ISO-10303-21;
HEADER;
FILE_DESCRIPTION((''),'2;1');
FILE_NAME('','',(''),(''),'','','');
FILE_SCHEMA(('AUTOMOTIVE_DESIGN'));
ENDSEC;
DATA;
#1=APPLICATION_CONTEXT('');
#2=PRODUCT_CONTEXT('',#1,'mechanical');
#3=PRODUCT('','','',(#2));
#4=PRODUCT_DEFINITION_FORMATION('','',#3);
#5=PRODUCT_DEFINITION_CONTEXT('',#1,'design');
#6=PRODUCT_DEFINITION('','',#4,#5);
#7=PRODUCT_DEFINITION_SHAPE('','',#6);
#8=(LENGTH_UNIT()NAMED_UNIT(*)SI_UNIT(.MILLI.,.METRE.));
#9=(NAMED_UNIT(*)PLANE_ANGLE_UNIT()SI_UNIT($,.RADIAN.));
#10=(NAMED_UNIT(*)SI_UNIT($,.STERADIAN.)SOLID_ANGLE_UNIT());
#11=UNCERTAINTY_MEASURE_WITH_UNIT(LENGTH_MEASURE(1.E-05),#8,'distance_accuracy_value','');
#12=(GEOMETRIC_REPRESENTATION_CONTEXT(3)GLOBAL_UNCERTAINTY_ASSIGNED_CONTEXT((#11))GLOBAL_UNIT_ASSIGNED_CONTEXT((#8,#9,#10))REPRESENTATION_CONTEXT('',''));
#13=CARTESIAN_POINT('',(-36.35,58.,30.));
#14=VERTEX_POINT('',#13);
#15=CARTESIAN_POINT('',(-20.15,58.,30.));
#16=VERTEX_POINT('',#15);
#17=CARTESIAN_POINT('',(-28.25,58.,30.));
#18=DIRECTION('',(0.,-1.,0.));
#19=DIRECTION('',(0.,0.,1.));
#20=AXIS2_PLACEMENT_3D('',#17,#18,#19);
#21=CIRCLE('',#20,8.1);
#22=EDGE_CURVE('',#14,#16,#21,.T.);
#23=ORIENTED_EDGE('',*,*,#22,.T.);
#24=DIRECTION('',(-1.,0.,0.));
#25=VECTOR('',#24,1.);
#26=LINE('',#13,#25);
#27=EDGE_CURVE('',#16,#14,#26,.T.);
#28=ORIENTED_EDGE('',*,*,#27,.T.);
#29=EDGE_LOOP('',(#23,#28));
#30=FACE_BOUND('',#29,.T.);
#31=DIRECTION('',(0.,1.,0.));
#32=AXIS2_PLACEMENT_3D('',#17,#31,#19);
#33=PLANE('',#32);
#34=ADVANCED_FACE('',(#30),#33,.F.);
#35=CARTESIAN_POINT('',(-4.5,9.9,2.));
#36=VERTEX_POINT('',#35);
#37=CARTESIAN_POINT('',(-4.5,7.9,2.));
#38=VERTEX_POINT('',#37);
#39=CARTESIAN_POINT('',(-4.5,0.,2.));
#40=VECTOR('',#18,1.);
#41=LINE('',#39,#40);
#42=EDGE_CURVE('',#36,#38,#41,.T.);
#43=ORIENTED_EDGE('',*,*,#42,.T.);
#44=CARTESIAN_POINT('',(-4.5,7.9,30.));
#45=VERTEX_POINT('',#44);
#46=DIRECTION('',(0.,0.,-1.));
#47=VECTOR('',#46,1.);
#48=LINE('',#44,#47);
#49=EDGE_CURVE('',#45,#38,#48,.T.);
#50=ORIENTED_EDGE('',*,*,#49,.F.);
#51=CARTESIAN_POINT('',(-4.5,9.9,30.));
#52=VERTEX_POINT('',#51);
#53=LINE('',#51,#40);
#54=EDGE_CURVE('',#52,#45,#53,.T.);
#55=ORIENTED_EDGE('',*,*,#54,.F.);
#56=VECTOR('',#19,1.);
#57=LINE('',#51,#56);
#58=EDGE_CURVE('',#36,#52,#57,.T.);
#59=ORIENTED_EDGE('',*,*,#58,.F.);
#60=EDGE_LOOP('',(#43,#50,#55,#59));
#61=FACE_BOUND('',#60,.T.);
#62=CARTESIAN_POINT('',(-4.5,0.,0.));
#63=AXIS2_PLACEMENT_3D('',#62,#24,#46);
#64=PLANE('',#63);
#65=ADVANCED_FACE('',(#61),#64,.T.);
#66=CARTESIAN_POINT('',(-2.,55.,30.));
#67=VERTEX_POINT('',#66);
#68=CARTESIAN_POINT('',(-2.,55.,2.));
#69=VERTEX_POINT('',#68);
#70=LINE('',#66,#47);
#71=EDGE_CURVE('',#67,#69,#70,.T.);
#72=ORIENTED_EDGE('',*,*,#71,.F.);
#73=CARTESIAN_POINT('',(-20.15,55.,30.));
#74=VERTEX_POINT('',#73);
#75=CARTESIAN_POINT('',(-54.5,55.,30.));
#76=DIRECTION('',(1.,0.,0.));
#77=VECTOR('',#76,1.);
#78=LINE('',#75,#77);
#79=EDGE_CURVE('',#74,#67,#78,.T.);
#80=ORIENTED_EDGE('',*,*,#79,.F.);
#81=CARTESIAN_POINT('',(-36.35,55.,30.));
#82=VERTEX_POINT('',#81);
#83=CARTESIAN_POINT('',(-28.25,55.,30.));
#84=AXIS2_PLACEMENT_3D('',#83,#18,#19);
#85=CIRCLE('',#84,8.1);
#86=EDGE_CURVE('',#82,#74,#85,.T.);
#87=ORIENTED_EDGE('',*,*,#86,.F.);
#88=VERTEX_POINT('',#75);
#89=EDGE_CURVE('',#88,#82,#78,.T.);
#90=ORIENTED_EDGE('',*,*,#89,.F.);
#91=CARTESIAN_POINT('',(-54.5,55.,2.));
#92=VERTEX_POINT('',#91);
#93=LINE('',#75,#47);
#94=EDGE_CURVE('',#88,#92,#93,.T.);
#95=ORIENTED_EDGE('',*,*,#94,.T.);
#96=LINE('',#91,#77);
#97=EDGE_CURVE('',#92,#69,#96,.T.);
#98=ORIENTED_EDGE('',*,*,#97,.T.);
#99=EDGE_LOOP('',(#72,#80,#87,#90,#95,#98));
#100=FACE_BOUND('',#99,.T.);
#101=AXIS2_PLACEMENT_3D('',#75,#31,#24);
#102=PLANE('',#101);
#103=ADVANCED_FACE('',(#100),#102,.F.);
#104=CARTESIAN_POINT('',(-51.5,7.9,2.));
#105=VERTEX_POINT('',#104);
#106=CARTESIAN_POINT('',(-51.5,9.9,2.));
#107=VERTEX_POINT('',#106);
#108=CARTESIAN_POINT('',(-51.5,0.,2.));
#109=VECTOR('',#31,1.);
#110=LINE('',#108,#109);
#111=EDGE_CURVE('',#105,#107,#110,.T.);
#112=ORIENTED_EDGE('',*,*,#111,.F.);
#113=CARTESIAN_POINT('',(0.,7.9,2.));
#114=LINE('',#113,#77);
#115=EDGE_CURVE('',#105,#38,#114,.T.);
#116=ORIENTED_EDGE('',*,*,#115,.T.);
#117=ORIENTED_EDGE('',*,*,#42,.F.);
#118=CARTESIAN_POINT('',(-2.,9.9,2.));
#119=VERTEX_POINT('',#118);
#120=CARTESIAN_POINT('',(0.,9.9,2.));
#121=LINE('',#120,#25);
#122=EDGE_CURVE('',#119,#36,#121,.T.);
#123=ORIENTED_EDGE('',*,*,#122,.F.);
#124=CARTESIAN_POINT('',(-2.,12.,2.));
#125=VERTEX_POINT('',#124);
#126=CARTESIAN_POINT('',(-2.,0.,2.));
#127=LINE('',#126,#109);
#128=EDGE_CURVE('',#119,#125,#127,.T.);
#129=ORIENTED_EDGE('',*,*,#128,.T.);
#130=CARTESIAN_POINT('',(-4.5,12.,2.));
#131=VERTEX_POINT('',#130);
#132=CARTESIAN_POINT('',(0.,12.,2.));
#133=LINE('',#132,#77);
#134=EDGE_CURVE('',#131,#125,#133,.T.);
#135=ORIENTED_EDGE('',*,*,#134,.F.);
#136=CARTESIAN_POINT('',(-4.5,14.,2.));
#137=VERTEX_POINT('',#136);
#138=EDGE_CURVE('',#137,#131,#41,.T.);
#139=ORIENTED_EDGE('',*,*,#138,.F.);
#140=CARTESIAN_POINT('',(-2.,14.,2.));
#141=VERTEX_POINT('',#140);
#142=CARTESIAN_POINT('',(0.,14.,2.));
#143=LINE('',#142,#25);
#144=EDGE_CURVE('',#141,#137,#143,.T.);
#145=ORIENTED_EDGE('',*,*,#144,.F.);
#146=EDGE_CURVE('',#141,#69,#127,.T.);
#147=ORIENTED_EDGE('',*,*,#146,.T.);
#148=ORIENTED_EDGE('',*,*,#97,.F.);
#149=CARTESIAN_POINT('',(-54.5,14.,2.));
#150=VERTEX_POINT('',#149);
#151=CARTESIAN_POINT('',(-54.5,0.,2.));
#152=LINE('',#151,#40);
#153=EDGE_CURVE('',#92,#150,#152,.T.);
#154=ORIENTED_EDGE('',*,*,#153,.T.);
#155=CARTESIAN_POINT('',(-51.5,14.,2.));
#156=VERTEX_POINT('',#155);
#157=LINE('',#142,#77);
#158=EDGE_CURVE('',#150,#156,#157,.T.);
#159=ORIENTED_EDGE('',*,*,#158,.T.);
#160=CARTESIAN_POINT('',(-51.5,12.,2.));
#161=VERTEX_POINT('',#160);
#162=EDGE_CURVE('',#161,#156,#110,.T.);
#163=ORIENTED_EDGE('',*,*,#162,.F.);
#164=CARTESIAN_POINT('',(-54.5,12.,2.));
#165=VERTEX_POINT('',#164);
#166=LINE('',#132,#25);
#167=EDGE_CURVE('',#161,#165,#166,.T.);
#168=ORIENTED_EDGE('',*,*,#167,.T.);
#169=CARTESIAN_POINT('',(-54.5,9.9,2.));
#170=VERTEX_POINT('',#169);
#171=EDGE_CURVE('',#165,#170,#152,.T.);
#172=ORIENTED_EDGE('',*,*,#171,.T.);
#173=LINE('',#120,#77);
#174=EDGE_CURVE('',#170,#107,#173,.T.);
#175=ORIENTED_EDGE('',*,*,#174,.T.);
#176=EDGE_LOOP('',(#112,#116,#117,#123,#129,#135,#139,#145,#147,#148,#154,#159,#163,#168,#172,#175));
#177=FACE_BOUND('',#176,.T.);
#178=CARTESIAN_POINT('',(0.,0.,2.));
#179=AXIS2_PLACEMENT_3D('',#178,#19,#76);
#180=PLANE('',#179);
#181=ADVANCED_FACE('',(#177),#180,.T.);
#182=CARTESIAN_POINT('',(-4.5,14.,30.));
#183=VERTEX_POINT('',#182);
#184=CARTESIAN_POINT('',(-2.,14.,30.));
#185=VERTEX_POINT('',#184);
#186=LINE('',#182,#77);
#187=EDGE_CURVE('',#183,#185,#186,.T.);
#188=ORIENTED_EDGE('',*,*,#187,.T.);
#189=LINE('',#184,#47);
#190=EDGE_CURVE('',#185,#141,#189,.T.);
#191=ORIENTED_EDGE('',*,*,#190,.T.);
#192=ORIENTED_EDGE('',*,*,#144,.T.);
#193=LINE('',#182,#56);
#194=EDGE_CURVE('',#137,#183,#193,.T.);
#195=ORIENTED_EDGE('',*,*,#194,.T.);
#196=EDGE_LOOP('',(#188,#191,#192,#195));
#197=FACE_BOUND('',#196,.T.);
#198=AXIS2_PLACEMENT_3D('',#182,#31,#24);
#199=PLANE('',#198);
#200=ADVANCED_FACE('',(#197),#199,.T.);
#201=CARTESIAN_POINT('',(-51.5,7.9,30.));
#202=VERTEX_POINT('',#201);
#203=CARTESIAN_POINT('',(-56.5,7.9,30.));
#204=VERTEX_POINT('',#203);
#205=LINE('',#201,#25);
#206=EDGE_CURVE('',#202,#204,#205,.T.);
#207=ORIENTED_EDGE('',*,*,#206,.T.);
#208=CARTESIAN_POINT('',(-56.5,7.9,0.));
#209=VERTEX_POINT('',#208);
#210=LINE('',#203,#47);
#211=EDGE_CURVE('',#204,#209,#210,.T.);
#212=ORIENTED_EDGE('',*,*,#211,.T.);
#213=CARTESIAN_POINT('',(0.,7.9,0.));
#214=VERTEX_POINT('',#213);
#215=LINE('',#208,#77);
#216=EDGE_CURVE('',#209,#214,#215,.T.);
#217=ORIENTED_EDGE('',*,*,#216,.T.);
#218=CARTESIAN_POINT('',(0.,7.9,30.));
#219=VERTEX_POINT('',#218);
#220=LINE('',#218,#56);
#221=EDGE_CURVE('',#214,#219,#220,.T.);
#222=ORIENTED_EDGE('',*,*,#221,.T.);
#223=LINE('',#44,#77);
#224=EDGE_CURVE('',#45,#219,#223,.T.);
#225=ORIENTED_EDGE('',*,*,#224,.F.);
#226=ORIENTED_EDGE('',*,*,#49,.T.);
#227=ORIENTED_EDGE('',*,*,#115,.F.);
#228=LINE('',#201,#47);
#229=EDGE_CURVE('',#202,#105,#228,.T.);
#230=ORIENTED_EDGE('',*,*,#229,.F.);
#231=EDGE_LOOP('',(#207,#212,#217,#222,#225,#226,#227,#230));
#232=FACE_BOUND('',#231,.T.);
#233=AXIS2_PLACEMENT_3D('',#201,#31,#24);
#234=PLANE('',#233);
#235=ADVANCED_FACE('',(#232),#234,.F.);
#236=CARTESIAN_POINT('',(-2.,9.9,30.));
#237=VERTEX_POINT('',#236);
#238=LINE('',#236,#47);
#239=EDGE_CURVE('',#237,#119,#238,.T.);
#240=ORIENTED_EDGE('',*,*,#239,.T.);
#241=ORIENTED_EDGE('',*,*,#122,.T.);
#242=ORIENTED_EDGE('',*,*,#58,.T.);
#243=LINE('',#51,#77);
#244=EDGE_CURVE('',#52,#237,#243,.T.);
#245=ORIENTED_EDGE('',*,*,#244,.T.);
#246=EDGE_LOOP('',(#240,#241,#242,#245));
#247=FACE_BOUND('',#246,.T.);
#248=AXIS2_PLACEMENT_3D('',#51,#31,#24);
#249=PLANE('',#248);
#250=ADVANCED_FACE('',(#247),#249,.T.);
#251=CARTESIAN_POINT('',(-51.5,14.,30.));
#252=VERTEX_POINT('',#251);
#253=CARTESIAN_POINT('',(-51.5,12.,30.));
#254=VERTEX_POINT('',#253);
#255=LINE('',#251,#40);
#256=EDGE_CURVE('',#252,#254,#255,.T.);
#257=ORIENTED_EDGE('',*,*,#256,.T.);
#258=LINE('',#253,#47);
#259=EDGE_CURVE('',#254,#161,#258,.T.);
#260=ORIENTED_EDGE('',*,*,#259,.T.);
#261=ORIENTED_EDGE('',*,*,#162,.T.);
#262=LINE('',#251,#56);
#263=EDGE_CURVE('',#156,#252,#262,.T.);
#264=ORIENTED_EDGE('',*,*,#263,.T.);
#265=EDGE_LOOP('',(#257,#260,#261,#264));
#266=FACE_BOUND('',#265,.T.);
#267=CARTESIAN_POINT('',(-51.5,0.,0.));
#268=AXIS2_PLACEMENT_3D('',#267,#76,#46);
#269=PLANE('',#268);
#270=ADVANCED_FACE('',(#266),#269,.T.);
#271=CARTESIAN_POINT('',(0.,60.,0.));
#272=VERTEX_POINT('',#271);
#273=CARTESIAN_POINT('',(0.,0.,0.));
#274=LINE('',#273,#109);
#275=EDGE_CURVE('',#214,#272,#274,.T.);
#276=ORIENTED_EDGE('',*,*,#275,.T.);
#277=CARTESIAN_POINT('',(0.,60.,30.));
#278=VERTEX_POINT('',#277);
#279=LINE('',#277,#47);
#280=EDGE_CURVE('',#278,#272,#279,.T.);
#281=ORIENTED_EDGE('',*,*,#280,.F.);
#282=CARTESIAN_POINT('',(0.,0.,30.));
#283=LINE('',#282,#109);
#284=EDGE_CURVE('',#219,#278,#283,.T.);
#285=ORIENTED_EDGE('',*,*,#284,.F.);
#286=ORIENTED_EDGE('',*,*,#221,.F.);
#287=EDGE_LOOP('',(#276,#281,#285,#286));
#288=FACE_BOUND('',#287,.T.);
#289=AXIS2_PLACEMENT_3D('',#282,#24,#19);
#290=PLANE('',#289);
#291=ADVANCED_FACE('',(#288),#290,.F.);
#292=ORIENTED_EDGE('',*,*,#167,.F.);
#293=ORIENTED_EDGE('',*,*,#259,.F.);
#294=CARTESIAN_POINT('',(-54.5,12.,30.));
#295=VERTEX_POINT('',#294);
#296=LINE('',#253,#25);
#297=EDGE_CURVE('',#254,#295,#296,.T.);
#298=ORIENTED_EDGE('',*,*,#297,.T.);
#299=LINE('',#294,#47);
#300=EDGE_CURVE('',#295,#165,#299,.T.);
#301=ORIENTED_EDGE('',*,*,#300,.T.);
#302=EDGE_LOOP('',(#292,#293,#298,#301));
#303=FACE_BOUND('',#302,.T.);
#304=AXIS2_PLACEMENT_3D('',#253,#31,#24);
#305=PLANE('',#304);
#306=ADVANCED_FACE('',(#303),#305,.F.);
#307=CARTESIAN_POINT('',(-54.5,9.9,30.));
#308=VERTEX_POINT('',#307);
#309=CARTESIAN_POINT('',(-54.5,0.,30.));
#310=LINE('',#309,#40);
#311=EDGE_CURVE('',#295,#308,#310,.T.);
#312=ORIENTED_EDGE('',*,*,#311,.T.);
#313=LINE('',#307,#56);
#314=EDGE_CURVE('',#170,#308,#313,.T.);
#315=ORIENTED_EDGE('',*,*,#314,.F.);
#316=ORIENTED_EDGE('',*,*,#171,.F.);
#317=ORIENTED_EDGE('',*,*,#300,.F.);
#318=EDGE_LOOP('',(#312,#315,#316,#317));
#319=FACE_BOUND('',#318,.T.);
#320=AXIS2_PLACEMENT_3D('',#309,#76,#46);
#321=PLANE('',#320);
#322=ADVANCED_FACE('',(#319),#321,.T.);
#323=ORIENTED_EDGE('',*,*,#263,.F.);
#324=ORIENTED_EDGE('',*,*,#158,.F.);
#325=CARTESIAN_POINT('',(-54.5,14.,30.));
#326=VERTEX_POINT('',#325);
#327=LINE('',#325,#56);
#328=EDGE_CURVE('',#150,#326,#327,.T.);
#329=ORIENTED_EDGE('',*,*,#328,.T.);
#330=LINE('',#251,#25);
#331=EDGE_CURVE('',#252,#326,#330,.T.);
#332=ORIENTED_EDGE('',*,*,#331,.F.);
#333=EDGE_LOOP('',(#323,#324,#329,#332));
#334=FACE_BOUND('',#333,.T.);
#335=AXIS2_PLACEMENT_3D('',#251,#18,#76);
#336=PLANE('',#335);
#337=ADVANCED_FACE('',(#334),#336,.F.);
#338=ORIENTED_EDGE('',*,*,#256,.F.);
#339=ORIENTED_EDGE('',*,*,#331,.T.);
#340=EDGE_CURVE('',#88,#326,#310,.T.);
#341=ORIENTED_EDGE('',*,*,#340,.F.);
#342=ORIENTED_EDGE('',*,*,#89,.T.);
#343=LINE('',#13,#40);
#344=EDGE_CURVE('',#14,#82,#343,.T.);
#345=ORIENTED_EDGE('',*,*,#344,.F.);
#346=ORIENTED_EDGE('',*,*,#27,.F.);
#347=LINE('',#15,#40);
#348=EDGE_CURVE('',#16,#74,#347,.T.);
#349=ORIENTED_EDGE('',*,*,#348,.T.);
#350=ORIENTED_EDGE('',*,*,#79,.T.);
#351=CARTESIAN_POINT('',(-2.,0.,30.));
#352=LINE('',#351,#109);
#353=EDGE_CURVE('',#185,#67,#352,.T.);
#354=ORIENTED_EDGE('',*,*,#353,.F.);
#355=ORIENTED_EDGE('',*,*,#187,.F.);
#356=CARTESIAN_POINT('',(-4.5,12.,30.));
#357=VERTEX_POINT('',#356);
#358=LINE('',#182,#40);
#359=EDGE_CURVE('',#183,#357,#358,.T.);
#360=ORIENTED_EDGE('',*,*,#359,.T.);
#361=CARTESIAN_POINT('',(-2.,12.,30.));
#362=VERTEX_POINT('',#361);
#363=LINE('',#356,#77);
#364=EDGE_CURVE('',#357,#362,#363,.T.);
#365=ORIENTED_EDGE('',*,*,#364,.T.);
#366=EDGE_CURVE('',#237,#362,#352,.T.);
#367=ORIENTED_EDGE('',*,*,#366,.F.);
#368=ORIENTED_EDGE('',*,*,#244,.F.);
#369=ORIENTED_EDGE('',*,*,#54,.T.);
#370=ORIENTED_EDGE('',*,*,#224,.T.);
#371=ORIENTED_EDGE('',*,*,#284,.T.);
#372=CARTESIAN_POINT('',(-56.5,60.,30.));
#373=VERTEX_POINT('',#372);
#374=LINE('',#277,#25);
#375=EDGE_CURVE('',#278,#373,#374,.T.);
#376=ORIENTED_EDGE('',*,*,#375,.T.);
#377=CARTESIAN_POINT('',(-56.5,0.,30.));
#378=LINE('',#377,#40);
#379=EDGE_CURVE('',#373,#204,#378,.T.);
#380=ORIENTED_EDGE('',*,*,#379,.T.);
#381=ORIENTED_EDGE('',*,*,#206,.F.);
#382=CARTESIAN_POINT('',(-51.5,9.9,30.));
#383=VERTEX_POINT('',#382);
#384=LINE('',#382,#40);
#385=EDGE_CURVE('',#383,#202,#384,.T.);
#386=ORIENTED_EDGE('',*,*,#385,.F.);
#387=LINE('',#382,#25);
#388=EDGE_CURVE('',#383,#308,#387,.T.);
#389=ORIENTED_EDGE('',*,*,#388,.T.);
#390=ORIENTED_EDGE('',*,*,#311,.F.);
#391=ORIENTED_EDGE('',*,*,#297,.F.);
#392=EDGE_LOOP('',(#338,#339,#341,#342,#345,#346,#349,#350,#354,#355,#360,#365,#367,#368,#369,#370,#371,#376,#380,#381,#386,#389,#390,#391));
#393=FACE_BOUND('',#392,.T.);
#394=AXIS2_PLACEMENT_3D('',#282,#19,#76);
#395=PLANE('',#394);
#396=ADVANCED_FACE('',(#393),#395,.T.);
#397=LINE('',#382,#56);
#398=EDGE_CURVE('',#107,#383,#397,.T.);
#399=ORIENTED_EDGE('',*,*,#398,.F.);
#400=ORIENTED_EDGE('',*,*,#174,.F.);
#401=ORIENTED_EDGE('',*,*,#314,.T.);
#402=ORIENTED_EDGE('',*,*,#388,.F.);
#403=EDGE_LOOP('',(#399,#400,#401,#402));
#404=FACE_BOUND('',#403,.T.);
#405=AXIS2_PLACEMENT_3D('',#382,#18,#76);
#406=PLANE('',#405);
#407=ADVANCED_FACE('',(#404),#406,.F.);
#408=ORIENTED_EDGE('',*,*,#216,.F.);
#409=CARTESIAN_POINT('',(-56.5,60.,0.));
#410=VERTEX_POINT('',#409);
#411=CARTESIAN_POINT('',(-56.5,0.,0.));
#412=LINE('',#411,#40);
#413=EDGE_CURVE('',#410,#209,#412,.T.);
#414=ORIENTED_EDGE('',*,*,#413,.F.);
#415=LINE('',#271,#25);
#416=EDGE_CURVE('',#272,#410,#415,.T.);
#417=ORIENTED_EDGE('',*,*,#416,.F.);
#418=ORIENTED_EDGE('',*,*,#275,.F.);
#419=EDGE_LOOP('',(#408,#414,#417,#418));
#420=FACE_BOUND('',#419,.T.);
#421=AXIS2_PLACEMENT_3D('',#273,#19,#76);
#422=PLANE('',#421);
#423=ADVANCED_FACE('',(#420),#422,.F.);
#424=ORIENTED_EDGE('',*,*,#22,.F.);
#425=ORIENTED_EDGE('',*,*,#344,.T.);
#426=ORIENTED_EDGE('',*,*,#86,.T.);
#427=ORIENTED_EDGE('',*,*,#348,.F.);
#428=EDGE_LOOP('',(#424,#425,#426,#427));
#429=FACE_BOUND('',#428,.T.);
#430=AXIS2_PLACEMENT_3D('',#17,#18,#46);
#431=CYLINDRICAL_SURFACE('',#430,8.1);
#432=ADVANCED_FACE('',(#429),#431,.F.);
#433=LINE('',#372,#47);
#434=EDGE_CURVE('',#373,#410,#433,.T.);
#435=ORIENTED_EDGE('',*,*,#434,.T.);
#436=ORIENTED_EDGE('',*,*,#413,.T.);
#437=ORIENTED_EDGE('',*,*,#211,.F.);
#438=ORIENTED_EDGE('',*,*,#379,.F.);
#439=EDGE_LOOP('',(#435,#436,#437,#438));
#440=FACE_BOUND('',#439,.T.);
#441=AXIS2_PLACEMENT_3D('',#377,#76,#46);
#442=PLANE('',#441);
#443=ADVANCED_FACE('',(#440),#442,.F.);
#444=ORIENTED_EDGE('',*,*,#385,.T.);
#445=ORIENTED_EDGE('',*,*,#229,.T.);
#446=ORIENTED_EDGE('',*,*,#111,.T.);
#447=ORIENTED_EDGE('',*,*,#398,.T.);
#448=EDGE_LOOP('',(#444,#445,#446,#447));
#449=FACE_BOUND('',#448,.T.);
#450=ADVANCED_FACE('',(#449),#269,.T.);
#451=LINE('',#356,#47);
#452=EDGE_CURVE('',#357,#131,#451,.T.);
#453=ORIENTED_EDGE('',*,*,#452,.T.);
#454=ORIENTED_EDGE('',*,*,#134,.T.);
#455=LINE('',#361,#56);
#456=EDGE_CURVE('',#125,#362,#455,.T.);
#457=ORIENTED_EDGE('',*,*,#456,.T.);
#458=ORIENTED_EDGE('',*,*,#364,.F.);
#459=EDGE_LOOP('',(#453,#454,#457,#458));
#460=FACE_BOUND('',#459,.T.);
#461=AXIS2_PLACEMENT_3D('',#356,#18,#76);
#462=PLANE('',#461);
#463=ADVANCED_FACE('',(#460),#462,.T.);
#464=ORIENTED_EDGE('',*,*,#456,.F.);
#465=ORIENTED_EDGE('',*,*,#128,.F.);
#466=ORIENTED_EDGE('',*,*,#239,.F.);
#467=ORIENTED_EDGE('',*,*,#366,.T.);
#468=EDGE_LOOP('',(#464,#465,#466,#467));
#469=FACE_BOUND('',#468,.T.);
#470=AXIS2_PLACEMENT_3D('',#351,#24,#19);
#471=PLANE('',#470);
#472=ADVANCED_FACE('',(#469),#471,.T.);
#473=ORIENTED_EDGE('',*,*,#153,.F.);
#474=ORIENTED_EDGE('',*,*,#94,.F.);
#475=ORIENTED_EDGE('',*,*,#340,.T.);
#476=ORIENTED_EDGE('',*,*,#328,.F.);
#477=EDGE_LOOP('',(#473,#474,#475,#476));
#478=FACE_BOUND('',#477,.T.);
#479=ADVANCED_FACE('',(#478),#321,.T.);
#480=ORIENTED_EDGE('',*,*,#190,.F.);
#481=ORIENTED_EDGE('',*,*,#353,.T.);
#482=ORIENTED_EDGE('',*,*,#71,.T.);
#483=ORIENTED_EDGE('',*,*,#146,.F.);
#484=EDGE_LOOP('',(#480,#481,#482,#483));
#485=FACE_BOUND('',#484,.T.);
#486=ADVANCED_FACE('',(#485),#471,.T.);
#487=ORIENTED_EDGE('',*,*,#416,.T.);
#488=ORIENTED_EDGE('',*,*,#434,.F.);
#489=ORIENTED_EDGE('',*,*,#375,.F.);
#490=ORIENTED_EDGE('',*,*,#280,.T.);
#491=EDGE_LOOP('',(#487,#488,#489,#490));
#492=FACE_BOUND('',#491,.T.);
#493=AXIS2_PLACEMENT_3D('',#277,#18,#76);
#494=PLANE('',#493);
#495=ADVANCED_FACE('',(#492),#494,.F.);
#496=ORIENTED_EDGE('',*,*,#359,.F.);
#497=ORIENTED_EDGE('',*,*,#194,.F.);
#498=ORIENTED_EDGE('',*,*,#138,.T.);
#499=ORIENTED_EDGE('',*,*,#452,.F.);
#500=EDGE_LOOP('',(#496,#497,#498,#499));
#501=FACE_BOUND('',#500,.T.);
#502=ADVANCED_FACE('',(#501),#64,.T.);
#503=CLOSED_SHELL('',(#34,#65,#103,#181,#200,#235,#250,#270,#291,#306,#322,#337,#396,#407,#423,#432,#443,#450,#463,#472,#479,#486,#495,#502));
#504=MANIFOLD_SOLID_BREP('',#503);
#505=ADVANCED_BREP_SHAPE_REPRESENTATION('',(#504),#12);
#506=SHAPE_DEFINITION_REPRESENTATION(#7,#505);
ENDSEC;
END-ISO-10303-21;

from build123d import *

# Parameters (mm, degrees)
SKETCH1_W           = 56.5
SKETCH1_H           = 60
BOSS_EXTRUDE1_DEPTH = 30
SHELL1_T            = -2
SKETCH2_W           = 52.5
SKETCH2_H           = 3
BOSS_EXTRUDE2_DEPTH = 28
CUT_EXTRUDE5_DEPTH  = 3
SKETCH6_W           = 30
SKETCH6_H           = 2
BOSS_EXTRUDE3_DEPTH = 3
SKETCH7_W           = 30
SKETCH7_H           = 2
BOSS_EXTRUDE4_DEPTH = 3
SKETCH8_W           = 56.5
SKETCH8_H           = 30
CUT_EXTRUDE6_DEPTH  = 7.9


with BuildPart() as part:
    # Sketch1 → Boss-Extrude1 (new body)
    with BuildSketch(Plane.XY):
        with Locations((-28.25, 30)):
            Rectangle(SKETCH1_W, SKETCH1_H)
    extrude(amount=BOSS_EXTRUDE1_DEPTH)

    # Shell1
    shell1_openings = [part.faces().sort_by_distance(p)[0] for p in [
        (-28.25, 30, 30),
    ]]
    offset(amount=SHELL1_T, openings=shell1_openings, kind=Kind.INTERSECTION)

    # Sketch2 → Boss-Extrude2 (add)
    with BuildSketch(Plane.XY.offset(2)):
        with Locations((-28.25, 56.5)):
            Rectangle(SKETCH2_W, SKETCH2_H)
    extrude(amount=BOSS_EXTRUDE2_DEPTH)

    # Sketch3 → Cut-Extrude5 (cut)
    with BuildSketch(Plane.XZ.offset(-55)):
        with BuildLine():
            Line((-36.35, 30), (-20.15, 30))
            ThreePointArc((-20.15, 30), (-28.25, 21.9), (-36.35, 30))
        make_face()
    extrude(amount=-CUT_EXTRUDE5_DEPTH, mode=Mode.SUBTRACT)

    # Sketch6 → Boss-Extrude3 (add)
    with BuildSketch(Plane(origin=(-54.5, 0, 0), x_dir=(0, 0, -1), z_dir=(1, 0, 0))):
        with Locations((-15, 13)):
            Rectangle(SKETCH6_W, SKETCH6_H)
    boss_extrude3 = extrude(amount=BOSS_EXTRUDE3_DEPTH)

    # Sketch7 → Boss-Extrude4 (add)
    with BuildSketch(Plane(origin=(-54.5, 0, 0), x_dir=(0, 0, -1), z_dir=(1, 0, 0))):
        with Locations((-15, 8.9)):
            Rectangle(SKETCH7_W, SKETCH7_H)
    boss_extrude4 = extrude(amount=BOSS_EXTRUDE4_DEPTH)

    # Mirror1: Boss-Extrude3, Boss-Extrude4 across plane
    add(boss_extrude3.mirror(Plane(origin=(-28, 0, 0), x_dir=(0, 0, 1), z_dir=(1, 0, 0))))
    add(boss_extrude4.mirror(Plane(origin=(-28, 0, 0), x_dir=(0, 0, 1), z_dir=(1, 0, 0))))

    # Sketch8 → Cut-Extrude6 (cut)
    with BuildSketch(Plane.XZ):
        with Locations((-28.25, 15)):
            Rectangle(SKETCH8_W, SKETCH8_H)
    extrude(amount=-CUT_EXTRUDE6_DEPTH, mode=Mode.SUBTRACT)


solid = part.part
